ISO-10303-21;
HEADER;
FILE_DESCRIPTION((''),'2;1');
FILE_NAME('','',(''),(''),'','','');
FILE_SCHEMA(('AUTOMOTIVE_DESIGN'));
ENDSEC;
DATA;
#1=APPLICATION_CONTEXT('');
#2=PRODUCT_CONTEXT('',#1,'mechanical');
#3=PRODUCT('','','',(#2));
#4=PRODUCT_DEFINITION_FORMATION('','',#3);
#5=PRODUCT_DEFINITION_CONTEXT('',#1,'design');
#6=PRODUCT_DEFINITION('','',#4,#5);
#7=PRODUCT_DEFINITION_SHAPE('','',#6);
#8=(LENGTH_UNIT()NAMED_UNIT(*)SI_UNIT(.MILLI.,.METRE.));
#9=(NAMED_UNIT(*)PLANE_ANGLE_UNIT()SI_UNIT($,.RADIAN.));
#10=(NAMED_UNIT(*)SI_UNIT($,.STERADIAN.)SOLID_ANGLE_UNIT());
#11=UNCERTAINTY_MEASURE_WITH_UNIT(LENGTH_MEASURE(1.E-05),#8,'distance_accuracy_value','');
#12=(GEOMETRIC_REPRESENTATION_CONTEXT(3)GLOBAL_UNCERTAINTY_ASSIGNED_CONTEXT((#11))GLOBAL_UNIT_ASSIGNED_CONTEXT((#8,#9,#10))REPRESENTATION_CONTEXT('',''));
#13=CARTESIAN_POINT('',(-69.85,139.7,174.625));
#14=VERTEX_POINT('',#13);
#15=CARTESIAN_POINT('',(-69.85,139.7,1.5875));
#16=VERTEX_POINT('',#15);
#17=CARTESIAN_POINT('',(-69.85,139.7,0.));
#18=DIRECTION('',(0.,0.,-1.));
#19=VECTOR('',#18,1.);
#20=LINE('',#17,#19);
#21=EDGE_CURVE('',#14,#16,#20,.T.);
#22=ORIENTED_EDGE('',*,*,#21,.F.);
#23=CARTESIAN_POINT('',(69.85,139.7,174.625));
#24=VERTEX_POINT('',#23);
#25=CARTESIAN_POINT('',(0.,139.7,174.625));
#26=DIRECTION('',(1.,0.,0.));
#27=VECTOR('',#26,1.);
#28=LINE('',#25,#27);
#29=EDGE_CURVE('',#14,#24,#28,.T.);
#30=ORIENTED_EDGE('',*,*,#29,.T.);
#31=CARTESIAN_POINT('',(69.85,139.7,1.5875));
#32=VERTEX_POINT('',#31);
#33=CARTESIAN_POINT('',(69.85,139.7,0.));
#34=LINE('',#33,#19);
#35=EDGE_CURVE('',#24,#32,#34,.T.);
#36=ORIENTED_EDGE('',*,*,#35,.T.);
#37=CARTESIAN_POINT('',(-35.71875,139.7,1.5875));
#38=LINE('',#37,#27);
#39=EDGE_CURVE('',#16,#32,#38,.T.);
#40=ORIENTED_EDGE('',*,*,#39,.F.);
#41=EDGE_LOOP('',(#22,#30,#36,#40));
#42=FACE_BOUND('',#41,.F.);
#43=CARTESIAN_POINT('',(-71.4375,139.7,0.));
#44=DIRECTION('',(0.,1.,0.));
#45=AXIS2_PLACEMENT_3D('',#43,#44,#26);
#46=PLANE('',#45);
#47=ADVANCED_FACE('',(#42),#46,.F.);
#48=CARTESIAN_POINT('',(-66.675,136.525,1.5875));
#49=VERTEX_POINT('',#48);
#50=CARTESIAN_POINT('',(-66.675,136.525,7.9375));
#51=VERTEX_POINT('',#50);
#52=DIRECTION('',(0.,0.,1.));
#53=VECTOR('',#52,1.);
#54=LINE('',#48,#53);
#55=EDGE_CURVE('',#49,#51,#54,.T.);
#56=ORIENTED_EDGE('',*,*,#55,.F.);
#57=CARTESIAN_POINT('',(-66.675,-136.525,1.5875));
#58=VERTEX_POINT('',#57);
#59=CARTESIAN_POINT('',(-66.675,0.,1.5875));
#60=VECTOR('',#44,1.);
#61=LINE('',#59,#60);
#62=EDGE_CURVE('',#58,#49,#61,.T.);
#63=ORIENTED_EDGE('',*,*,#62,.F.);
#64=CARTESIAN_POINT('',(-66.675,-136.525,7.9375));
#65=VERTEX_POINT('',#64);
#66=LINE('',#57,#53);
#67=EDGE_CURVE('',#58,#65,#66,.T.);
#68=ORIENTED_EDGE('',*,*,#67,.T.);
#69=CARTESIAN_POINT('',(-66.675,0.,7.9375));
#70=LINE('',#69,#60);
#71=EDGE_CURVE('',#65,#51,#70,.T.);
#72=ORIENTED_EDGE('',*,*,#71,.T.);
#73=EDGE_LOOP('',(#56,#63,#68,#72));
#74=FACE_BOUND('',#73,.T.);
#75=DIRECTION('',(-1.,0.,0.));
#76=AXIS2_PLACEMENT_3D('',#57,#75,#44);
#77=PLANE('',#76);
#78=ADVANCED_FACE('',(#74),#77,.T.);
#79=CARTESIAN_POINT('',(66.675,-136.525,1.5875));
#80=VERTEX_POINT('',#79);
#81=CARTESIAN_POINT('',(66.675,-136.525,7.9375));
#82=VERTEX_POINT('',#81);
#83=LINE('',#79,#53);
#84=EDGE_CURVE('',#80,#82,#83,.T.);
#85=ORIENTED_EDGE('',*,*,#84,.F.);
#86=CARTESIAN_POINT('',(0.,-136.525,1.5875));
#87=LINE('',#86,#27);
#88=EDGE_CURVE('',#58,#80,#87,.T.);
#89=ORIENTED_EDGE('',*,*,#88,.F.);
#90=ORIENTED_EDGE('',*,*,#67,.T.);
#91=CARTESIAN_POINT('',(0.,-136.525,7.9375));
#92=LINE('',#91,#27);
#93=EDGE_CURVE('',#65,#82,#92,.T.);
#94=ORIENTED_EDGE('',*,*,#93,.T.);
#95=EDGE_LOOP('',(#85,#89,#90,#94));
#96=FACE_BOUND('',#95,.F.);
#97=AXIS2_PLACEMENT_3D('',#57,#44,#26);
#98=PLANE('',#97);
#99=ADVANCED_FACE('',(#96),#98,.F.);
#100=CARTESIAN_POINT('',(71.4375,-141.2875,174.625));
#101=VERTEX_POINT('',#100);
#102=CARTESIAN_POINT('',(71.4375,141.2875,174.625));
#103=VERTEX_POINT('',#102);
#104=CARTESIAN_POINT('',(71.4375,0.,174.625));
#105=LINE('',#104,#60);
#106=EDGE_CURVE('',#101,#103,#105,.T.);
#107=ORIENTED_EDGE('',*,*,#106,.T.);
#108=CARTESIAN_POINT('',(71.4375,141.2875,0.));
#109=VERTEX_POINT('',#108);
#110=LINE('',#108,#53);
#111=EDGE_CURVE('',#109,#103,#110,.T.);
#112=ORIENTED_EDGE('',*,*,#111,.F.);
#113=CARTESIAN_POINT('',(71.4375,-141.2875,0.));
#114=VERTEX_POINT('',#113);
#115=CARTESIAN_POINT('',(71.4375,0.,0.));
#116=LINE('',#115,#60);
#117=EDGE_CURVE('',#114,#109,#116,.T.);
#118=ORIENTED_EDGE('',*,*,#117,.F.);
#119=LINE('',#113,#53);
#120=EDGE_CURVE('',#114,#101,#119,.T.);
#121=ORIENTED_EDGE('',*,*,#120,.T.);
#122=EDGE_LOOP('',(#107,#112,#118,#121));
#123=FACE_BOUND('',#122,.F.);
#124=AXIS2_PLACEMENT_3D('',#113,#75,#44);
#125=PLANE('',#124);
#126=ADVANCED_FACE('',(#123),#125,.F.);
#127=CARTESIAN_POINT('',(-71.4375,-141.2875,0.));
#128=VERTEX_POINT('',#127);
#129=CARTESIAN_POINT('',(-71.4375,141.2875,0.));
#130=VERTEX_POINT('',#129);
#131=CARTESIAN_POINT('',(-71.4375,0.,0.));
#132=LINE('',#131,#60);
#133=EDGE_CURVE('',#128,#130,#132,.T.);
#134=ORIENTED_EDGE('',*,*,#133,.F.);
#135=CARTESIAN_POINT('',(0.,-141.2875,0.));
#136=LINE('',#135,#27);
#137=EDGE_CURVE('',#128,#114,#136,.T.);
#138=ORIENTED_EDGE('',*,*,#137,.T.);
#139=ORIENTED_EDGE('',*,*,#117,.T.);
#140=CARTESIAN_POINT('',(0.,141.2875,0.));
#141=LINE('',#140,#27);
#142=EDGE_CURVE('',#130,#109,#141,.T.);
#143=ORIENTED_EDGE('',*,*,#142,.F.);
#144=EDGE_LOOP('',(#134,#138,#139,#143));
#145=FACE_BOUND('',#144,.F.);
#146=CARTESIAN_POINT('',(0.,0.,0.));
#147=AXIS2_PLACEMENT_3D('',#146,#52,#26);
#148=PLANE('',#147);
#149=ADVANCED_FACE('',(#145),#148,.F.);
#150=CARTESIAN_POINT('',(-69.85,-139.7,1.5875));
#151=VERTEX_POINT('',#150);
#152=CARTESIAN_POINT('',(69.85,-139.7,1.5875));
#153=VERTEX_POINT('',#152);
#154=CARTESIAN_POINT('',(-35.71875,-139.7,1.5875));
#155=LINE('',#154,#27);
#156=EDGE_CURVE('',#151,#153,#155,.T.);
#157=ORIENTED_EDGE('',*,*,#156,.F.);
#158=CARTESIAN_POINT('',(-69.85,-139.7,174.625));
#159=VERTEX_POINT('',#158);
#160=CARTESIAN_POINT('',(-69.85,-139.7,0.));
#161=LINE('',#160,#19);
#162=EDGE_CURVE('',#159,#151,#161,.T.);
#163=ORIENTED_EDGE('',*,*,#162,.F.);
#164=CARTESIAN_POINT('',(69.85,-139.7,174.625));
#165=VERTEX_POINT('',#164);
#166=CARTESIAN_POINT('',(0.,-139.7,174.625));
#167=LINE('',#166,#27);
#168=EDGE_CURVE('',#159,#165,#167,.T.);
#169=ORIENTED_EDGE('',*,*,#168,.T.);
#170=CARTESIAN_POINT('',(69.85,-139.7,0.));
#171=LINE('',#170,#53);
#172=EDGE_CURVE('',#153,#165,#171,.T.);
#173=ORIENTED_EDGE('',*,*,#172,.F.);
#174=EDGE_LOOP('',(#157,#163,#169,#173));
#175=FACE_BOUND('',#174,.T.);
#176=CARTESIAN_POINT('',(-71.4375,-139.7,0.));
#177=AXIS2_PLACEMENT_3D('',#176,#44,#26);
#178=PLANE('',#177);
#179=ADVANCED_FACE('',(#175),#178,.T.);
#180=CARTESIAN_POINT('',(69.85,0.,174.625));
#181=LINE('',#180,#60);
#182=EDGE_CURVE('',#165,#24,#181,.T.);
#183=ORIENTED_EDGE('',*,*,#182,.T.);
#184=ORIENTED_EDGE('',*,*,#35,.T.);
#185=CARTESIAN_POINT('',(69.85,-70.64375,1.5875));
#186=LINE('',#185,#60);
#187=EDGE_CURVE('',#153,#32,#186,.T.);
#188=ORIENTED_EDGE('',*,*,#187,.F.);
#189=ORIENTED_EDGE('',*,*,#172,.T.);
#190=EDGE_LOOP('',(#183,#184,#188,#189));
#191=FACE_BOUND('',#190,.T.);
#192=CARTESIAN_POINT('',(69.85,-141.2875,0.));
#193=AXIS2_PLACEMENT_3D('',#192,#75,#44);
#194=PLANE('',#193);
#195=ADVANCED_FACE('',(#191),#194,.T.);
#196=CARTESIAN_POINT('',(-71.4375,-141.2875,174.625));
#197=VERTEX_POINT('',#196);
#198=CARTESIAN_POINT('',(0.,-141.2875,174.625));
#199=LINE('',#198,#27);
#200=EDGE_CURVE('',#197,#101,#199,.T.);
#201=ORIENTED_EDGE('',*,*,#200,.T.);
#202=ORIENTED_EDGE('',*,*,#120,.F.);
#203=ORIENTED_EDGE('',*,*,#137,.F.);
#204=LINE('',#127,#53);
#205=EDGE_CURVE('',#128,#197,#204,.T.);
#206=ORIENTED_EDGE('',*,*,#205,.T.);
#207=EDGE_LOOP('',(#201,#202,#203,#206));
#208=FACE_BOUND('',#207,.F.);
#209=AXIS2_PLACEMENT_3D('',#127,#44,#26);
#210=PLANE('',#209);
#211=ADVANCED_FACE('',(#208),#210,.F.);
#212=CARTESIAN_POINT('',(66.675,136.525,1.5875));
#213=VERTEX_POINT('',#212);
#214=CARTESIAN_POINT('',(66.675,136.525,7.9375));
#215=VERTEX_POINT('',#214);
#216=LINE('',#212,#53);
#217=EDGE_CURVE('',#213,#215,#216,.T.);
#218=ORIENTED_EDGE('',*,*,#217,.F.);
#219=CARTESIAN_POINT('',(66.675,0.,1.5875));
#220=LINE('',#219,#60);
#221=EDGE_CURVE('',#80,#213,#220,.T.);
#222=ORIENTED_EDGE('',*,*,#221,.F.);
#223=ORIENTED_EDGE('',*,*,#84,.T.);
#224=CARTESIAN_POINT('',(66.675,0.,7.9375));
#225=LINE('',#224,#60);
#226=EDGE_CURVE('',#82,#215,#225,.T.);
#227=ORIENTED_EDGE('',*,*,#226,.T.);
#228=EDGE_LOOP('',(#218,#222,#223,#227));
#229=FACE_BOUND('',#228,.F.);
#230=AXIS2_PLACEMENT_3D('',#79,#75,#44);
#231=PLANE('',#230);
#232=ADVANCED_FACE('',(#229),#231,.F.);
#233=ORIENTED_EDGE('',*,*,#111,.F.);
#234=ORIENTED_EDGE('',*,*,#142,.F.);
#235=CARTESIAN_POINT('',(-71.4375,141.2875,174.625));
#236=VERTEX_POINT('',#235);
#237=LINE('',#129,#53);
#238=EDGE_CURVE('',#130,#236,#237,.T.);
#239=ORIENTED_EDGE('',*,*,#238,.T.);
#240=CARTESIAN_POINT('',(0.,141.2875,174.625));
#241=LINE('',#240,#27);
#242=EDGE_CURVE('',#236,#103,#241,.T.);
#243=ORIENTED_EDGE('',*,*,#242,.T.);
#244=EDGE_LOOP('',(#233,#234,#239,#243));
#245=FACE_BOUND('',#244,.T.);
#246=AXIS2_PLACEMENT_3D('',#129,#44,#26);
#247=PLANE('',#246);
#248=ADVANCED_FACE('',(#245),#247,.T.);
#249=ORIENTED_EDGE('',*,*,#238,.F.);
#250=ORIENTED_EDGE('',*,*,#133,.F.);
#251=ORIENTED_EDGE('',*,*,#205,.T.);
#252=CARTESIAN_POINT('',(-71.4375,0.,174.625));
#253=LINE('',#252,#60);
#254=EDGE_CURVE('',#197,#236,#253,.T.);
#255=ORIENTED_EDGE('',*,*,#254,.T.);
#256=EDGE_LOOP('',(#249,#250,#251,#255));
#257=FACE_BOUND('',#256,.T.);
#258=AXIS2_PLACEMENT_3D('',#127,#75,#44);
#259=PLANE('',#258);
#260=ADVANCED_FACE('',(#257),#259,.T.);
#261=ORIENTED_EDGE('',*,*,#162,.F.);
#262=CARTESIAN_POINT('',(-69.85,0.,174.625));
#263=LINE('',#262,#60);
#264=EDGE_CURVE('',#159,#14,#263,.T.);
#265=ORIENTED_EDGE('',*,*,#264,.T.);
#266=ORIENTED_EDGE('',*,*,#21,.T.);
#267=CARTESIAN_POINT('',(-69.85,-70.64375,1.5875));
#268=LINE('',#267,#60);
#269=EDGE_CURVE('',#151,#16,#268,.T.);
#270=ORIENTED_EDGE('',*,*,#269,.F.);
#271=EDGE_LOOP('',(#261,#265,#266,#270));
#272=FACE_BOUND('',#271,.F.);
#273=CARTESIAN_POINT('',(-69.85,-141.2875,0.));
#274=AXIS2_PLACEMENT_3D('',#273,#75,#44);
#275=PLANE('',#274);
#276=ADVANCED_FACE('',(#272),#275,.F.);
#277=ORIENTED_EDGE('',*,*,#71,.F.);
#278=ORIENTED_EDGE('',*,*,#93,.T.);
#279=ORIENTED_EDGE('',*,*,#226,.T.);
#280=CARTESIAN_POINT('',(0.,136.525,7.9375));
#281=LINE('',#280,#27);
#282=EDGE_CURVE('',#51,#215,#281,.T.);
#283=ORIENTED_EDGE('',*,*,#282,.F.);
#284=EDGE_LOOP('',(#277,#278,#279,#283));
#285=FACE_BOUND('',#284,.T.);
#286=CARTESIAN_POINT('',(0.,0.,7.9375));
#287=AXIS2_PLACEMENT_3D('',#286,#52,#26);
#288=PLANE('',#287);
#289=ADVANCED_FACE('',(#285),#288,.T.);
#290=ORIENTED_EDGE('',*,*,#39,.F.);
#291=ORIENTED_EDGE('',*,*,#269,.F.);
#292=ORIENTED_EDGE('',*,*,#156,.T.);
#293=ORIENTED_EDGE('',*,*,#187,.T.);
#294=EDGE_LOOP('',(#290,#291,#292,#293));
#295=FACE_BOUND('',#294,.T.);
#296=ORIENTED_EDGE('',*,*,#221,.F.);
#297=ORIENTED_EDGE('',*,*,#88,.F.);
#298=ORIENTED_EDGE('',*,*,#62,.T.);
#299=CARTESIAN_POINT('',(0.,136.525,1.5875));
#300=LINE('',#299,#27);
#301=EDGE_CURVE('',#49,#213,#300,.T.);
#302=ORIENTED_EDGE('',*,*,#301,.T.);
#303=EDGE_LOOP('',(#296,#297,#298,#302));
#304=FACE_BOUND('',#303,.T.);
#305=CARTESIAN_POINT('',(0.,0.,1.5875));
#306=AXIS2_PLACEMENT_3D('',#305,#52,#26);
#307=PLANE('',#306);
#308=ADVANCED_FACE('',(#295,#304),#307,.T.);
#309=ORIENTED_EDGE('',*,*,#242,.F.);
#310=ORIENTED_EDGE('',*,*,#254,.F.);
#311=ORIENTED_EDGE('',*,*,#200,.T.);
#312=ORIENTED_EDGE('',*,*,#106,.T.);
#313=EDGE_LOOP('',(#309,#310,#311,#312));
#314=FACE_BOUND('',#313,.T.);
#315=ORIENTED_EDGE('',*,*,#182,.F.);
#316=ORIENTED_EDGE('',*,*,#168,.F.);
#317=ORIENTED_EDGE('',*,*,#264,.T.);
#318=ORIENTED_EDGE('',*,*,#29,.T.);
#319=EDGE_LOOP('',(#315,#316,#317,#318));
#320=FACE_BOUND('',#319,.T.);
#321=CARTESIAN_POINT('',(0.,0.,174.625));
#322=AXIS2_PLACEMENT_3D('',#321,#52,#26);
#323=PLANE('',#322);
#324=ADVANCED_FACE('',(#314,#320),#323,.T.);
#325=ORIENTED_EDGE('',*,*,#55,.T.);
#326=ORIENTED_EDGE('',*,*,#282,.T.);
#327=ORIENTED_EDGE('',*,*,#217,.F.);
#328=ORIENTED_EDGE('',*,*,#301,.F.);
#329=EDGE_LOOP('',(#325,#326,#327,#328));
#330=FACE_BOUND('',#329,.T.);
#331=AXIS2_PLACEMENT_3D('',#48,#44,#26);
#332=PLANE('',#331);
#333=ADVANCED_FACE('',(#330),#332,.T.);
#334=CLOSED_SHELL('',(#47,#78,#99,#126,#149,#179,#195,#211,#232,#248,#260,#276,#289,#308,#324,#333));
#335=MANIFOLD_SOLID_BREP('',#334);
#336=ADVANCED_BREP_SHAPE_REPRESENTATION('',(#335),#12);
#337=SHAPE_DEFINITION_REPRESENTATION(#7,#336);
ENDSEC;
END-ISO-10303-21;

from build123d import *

# Parameters (mm, degrees)
F0_W     = 142.875
F0_H     = 282.575
F1_DEPTH = 174.625
F2_T     = -1.5875
F3_W     = 133.35
F3_H     = 273.05
F4_DEPTH = 6.35


with BuildPart() as f1:
    # F0 (on Top) → F1 (new body)
    with BuildSketch(Plane.XY):
        Rectangle(F0_W, F0_H)
    extrude(amount=F1_DEPTH)

    # F2
    f2_openings = [f1.faces().sort_by_distance(p)[0] for p in [
        (0, 0, 174.625),
    ]]
    offset(amount=F2_T, openings=f2_openings)

    # F3 (on face) → F4 (join)
    with BuildSketch(Plane.XY.offset(1.5875)):
        Rectangle(F3_W, F3_H)
    extrude(amount=F4_DEPTH)


solid = f1.part
